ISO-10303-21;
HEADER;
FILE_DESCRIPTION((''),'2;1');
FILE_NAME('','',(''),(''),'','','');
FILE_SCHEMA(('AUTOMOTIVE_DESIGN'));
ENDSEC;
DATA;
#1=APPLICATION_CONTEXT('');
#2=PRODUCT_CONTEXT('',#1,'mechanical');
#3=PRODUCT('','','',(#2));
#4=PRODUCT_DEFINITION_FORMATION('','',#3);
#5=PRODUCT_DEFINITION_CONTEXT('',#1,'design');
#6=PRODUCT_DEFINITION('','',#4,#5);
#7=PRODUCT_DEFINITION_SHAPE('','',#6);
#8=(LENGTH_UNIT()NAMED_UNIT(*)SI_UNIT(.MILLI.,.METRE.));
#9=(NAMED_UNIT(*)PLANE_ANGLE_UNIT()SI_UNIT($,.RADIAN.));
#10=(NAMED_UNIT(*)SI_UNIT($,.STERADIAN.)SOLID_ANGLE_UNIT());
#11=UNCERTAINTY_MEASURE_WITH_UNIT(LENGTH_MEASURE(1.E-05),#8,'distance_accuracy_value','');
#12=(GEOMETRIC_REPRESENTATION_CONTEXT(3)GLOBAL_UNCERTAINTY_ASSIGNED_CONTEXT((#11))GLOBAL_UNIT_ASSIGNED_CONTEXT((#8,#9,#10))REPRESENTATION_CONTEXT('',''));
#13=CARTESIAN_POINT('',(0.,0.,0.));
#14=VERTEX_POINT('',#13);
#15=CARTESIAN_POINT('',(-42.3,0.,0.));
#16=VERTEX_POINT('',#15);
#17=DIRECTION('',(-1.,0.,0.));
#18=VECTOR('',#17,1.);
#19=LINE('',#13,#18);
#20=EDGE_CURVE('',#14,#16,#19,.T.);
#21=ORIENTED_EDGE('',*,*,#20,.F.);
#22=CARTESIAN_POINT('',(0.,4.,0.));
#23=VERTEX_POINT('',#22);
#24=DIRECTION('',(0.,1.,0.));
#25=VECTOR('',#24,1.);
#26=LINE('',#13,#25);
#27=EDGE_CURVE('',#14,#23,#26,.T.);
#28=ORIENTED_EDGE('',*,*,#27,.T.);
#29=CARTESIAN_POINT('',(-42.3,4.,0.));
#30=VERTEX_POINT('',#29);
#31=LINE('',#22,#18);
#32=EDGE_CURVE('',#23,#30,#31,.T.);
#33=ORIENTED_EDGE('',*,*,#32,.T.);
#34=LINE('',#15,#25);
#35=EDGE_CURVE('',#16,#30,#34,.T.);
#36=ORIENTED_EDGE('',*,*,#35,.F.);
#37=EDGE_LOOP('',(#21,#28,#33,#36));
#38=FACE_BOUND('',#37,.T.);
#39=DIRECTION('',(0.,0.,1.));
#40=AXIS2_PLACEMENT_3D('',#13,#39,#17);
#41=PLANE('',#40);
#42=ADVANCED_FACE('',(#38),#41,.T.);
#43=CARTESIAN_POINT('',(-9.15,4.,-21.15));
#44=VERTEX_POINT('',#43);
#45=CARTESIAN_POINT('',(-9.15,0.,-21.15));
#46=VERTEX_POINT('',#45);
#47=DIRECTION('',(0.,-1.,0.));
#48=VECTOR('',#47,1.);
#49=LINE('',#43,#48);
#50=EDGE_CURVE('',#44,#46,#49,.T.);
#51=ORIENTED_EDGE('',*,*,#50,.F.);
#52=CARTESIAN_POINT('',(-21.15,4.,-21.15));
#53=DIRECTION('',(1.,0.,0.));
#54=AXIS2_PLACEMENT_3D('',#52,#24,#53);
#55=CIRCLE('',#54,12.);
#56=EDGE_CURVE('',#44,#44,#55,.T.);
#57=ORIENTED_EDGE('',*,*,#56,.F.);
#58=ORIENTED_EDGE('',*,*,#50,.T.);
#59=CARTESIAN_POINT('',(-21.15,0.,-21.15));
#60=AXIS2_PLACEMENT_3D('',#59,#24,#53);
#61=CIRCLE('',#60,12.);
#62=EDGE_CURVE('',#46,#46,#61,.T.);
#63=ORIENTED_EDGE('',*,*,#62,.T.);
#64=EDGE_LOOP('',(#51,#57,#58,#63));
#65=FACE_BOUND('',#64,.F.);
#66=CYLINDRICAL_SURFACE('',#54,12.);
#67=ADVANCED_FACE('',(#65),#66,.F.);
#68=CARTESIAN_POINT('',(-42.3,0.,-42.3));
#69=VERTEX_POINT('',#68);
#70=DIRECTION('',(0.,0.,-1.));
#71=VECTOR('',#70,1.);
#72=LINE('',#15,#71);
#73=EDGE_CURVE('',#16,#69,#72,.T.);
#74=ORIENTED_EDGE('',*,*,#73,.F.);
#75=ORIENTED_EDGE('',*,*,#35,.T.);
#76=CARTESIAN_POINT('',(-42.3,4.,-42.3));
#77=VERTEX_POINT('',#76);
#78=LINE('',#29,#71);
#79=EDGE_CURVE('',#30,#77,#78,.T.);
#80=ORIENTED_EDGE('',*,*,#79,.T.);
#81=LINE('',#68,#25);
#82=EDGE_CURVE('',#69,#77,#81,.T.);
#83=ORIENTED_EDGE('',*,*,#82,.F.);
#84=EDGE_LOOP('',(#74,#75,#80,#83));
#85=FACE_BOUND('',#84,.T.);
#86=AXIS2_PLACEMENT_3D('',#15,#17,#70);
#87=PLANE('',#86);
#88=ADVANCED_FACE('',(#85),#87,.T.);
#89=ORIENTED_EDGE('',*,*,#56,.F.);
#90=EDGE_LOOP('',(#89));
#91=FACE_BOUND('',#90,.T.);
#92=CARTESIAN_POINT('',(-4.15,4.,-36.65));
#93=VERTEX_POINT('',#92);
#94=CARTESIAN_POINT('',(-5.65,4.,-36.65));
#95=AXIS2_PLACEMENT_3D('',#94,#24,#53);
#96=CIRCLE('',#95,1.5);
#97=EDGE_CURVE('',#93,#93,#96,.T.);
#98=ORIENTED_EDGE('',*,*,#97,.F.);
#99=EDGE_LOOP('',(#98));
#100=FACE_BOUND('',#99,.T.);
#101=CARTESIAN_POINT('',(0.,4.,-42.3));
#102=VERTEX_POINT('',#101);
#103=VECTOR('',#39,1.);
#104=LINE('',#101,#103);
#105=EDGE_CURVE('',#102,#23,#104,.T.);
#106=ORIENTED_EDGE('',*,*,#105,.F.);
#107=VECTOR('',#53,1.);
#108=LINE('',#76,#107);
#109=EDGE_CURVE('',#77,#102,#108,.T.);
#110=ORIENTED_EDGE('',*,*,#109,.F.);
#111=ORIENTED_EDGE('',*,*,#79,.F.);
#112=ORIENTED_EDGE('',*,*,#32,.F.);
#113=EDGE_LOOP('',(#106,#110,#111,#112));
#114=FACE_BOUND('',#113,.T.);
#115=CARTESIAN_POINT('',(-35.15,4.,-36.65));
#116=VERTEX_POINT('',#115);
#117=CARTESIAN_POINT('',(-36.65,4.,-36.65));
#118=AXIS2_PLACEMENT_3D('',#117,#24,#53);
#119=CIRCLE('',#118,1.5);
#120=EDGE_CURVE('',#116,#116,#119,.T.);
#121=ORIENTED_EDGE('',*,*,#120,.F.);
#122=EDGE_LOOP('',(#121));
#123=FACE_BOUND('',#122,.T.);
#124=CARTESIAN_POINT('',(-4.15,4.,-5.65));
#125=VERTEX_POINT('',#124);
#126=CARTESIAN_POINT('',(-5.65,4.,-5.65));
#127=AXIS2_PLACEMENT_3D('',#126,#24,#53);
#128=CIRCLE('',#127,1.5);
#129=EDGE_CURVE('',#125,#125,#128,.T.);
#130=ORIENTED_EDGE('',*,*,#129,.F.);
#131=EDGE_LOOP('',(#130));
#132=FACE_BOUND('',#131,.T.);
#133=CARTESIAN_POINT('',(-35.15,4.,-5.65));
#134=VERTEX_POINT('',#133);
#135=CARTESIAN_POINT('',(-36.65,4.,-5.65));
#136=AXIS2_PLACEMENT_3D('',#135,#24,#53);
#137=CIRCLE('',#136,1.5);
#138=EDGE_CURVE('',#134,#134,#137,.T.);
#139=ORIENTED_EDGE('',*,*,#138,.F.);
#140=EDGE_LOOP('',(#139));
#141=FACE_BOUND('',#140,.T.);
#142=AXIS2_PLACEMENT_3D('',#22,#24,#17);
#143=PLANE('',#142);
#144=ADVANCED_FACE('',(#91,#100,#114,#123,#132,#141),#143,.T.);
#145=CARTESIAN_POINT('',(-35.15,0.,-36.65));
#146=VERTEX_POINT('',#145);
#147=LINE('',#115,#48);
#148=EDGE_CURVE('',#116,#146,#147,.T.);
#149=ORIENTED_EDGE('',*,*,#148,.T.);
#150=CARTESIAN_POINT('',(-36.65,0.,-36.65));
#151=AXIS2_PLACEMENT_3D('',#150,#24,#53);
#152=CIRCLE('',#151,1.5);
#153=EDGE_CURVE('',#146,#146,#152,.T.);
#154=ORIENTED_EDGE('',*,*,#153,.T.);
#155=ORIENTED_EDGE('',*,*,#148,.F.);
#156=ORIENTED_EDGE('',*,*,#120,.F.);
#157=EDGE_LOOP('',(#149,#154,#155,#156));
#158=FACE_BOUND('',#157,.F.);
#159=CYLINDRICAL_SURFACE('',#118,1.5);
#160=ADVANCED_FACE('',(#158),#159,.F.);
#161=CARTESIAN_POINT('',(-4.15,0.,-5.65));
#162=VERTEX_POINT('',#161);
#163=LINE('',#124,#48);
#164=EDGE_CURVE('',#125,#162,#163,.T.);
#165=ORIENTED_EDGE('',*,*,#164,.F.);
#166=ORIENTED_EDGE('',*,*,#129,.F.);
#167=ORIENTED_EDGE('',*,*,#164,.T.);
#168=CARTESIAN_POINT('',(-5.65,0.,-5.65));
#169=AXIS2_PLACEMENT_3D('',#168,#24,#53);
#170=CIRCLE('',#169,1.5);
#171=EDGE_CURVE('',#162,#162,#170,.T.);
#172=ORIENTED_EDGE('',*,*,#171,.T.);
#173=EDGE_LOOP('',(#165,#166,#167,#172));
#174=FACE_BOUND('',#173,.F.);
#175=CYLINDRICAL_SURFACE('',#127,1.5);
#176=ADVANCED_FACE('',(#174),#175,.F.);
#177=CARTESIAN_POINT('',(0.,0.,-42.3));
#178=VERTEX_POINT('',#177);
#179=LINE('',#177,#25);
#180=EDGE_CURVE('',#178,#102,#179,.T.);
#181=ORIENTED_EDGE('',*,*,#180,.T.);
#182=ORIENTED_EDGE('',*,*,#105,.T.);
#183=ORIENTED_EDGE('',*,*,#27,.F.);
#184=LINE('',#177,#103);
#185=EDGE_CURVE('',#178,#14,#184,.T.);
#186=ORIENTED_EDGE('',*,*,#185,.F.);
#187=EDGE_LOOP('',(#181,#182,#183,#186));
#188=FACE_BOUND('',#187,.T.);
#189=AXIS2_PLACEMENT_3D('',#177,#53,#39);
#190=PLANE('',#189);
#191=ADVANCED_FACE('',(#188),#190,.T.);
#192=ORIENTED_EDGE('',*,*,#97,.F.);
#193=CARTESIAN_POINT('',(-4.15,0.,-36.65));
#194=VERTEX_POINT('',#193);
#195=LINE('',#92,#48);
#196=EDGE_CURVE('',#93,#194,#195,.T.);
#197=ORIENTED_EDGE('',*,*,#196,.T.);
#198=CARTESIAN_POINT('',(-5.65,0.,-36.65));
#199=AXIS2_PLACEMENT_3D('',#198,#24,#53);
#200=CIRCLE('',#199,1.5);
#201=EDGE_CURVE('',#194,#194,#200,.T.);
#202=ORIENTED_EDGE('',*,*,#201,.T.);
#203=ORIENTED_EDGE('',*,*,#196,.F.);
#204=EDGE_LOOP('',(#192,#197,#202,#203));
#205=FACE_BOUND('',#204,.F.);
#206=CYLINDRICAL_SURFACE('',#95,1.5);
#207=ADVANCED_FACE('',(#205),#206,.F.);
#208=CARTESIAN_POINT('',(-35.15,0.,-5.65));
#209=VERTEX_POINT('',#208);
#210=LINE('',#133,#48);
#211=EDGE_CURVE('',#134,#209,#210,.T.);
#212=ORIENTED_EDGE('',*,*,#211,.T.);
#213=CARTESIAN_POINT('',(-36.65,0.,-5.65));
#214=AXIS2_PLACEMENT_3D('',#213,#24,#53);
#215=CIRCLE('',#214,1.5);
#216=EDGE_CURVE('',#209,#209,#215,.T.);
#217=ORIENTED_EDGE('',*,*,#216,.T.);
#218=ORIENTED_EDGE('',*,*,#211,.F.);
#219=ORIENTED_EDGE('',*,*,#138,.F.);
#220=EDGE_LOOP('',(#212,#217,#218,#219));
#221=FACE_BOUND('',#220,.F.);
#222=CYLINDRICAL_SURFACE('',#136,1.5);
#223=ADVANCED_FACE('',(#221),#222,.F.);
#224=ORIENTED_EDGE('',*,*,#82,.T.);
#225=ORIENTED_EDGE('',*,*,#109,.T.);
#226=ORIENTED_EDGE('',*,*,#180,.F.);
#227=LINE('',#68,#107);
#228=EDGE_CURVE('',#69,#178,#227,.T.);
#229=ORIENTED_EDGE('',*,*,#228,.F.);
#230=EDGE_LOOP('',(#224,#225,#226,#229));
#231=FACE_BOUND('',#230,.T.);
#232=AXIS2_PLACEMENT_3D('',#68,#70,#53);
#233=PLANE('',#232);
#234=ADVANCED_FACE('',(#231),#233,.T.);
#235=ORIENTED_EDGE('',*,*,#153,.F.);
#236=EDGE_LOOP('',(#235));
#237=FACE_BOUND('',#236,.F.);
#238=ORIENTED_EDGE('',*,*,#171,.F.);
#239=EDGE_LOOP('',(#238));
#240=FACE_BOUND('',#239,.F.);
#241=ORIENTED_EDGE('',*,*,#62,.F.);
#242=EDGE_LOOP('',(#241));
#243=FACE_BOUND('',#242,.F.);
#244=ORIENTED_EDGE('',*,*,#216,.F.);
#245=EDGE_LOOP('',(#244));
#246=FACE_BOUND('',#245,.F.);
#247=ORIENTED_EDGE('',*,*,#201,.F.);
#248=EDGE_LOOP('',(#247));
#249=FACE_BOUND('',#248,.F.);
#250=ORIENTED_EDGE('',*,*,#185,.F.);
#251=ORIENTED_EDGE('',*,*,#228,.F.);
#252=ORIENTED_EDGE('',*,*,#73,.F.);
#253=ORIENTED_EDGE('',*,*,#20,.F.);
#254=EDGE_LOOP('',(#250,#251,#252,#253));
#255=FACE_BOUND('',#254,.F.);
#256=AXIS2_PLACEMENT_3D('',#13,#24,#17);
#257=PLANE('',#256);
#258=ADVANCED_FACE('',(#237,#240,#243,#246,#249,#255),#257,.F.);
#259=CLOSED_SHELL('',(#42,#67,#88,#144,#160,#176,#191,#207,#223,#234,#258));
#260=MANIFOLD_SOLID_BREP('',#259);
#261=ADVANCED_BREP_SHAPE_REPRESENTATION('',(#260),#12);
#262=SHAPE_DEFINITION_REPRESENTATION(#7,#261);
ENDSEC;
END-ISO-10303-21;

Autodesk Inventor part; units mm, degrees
ref_plane "YZ Plane" through (0, 0, 0) normal (1, 0, 0) x (0, 1, 0)
ref_plane "XZ Plane" through (0, 0, 0) normal (0, 1, 0) x (-1, 0, 0)
ref_plane "XY Plane" through (0, 0, 0) normal (0, 0, 1) x (1, 0, 0)
sketch "Sketch1" plane through (0, 0, 0) normal (0, 1, 0) x (-1, 0, 0)
  line L0 (0, 0) -> (42.3, 0)
  line L1 (42.3, 0) -> (42.3, -42.3)
  line L2 (42.3, -42.3) -> (0, -42.3)
  line L3 (0, -42.3) -> (0, 0)
  dimension "d0" = 42.3
extrude "Extrusion1" add sketch "Sketch1" along normal blind 4
sketch "Sketch2" plane through (0, 4, 0) normal (0, 1, 0) x (1, 0, 0)
  line L0 (0, 42.3) -> (-42.3, 42.3) projected
  line L1 (-42.3, 42.3) -> (-42.3, 0) projected
  circle A0 centre (-36.65, 5.65) radius 1.5
  circle A1 centre (-5.65, 5.65) radius 1.5
  circle A2 centre (-36.65, 36.65) radius 1.5
  circle A3 centre (-5.65, 36.65) radius 1.5
  dimension "d3" = 3
  dimension "d5" = 31
  dimension "d6" = 31
  dimension "d7" = 5.65
  dimension "d8" = 5.65
extrude "Extrusion2" cut sketch "Sketch2" against normal up to next
sketch "Sketch3" plane through (0, 4, 0) normal (0, 1, 0) x (1, 0, 0)
  line L0 (-42.3, 0) -> (0, 0) projected
  line L1 (-42.3, 42.3) -> (-42.3, 0) projected
  circle A0 centre (-21.15, 21.15) radius 12
  dimension "d11" = 24
  dimension "d12" = 21.15
  dimension "d13" = 21.15
extrude "Extrusion3" cut sketch "Sketch3" against normal up to next
properties part number "ZMotorMount"
